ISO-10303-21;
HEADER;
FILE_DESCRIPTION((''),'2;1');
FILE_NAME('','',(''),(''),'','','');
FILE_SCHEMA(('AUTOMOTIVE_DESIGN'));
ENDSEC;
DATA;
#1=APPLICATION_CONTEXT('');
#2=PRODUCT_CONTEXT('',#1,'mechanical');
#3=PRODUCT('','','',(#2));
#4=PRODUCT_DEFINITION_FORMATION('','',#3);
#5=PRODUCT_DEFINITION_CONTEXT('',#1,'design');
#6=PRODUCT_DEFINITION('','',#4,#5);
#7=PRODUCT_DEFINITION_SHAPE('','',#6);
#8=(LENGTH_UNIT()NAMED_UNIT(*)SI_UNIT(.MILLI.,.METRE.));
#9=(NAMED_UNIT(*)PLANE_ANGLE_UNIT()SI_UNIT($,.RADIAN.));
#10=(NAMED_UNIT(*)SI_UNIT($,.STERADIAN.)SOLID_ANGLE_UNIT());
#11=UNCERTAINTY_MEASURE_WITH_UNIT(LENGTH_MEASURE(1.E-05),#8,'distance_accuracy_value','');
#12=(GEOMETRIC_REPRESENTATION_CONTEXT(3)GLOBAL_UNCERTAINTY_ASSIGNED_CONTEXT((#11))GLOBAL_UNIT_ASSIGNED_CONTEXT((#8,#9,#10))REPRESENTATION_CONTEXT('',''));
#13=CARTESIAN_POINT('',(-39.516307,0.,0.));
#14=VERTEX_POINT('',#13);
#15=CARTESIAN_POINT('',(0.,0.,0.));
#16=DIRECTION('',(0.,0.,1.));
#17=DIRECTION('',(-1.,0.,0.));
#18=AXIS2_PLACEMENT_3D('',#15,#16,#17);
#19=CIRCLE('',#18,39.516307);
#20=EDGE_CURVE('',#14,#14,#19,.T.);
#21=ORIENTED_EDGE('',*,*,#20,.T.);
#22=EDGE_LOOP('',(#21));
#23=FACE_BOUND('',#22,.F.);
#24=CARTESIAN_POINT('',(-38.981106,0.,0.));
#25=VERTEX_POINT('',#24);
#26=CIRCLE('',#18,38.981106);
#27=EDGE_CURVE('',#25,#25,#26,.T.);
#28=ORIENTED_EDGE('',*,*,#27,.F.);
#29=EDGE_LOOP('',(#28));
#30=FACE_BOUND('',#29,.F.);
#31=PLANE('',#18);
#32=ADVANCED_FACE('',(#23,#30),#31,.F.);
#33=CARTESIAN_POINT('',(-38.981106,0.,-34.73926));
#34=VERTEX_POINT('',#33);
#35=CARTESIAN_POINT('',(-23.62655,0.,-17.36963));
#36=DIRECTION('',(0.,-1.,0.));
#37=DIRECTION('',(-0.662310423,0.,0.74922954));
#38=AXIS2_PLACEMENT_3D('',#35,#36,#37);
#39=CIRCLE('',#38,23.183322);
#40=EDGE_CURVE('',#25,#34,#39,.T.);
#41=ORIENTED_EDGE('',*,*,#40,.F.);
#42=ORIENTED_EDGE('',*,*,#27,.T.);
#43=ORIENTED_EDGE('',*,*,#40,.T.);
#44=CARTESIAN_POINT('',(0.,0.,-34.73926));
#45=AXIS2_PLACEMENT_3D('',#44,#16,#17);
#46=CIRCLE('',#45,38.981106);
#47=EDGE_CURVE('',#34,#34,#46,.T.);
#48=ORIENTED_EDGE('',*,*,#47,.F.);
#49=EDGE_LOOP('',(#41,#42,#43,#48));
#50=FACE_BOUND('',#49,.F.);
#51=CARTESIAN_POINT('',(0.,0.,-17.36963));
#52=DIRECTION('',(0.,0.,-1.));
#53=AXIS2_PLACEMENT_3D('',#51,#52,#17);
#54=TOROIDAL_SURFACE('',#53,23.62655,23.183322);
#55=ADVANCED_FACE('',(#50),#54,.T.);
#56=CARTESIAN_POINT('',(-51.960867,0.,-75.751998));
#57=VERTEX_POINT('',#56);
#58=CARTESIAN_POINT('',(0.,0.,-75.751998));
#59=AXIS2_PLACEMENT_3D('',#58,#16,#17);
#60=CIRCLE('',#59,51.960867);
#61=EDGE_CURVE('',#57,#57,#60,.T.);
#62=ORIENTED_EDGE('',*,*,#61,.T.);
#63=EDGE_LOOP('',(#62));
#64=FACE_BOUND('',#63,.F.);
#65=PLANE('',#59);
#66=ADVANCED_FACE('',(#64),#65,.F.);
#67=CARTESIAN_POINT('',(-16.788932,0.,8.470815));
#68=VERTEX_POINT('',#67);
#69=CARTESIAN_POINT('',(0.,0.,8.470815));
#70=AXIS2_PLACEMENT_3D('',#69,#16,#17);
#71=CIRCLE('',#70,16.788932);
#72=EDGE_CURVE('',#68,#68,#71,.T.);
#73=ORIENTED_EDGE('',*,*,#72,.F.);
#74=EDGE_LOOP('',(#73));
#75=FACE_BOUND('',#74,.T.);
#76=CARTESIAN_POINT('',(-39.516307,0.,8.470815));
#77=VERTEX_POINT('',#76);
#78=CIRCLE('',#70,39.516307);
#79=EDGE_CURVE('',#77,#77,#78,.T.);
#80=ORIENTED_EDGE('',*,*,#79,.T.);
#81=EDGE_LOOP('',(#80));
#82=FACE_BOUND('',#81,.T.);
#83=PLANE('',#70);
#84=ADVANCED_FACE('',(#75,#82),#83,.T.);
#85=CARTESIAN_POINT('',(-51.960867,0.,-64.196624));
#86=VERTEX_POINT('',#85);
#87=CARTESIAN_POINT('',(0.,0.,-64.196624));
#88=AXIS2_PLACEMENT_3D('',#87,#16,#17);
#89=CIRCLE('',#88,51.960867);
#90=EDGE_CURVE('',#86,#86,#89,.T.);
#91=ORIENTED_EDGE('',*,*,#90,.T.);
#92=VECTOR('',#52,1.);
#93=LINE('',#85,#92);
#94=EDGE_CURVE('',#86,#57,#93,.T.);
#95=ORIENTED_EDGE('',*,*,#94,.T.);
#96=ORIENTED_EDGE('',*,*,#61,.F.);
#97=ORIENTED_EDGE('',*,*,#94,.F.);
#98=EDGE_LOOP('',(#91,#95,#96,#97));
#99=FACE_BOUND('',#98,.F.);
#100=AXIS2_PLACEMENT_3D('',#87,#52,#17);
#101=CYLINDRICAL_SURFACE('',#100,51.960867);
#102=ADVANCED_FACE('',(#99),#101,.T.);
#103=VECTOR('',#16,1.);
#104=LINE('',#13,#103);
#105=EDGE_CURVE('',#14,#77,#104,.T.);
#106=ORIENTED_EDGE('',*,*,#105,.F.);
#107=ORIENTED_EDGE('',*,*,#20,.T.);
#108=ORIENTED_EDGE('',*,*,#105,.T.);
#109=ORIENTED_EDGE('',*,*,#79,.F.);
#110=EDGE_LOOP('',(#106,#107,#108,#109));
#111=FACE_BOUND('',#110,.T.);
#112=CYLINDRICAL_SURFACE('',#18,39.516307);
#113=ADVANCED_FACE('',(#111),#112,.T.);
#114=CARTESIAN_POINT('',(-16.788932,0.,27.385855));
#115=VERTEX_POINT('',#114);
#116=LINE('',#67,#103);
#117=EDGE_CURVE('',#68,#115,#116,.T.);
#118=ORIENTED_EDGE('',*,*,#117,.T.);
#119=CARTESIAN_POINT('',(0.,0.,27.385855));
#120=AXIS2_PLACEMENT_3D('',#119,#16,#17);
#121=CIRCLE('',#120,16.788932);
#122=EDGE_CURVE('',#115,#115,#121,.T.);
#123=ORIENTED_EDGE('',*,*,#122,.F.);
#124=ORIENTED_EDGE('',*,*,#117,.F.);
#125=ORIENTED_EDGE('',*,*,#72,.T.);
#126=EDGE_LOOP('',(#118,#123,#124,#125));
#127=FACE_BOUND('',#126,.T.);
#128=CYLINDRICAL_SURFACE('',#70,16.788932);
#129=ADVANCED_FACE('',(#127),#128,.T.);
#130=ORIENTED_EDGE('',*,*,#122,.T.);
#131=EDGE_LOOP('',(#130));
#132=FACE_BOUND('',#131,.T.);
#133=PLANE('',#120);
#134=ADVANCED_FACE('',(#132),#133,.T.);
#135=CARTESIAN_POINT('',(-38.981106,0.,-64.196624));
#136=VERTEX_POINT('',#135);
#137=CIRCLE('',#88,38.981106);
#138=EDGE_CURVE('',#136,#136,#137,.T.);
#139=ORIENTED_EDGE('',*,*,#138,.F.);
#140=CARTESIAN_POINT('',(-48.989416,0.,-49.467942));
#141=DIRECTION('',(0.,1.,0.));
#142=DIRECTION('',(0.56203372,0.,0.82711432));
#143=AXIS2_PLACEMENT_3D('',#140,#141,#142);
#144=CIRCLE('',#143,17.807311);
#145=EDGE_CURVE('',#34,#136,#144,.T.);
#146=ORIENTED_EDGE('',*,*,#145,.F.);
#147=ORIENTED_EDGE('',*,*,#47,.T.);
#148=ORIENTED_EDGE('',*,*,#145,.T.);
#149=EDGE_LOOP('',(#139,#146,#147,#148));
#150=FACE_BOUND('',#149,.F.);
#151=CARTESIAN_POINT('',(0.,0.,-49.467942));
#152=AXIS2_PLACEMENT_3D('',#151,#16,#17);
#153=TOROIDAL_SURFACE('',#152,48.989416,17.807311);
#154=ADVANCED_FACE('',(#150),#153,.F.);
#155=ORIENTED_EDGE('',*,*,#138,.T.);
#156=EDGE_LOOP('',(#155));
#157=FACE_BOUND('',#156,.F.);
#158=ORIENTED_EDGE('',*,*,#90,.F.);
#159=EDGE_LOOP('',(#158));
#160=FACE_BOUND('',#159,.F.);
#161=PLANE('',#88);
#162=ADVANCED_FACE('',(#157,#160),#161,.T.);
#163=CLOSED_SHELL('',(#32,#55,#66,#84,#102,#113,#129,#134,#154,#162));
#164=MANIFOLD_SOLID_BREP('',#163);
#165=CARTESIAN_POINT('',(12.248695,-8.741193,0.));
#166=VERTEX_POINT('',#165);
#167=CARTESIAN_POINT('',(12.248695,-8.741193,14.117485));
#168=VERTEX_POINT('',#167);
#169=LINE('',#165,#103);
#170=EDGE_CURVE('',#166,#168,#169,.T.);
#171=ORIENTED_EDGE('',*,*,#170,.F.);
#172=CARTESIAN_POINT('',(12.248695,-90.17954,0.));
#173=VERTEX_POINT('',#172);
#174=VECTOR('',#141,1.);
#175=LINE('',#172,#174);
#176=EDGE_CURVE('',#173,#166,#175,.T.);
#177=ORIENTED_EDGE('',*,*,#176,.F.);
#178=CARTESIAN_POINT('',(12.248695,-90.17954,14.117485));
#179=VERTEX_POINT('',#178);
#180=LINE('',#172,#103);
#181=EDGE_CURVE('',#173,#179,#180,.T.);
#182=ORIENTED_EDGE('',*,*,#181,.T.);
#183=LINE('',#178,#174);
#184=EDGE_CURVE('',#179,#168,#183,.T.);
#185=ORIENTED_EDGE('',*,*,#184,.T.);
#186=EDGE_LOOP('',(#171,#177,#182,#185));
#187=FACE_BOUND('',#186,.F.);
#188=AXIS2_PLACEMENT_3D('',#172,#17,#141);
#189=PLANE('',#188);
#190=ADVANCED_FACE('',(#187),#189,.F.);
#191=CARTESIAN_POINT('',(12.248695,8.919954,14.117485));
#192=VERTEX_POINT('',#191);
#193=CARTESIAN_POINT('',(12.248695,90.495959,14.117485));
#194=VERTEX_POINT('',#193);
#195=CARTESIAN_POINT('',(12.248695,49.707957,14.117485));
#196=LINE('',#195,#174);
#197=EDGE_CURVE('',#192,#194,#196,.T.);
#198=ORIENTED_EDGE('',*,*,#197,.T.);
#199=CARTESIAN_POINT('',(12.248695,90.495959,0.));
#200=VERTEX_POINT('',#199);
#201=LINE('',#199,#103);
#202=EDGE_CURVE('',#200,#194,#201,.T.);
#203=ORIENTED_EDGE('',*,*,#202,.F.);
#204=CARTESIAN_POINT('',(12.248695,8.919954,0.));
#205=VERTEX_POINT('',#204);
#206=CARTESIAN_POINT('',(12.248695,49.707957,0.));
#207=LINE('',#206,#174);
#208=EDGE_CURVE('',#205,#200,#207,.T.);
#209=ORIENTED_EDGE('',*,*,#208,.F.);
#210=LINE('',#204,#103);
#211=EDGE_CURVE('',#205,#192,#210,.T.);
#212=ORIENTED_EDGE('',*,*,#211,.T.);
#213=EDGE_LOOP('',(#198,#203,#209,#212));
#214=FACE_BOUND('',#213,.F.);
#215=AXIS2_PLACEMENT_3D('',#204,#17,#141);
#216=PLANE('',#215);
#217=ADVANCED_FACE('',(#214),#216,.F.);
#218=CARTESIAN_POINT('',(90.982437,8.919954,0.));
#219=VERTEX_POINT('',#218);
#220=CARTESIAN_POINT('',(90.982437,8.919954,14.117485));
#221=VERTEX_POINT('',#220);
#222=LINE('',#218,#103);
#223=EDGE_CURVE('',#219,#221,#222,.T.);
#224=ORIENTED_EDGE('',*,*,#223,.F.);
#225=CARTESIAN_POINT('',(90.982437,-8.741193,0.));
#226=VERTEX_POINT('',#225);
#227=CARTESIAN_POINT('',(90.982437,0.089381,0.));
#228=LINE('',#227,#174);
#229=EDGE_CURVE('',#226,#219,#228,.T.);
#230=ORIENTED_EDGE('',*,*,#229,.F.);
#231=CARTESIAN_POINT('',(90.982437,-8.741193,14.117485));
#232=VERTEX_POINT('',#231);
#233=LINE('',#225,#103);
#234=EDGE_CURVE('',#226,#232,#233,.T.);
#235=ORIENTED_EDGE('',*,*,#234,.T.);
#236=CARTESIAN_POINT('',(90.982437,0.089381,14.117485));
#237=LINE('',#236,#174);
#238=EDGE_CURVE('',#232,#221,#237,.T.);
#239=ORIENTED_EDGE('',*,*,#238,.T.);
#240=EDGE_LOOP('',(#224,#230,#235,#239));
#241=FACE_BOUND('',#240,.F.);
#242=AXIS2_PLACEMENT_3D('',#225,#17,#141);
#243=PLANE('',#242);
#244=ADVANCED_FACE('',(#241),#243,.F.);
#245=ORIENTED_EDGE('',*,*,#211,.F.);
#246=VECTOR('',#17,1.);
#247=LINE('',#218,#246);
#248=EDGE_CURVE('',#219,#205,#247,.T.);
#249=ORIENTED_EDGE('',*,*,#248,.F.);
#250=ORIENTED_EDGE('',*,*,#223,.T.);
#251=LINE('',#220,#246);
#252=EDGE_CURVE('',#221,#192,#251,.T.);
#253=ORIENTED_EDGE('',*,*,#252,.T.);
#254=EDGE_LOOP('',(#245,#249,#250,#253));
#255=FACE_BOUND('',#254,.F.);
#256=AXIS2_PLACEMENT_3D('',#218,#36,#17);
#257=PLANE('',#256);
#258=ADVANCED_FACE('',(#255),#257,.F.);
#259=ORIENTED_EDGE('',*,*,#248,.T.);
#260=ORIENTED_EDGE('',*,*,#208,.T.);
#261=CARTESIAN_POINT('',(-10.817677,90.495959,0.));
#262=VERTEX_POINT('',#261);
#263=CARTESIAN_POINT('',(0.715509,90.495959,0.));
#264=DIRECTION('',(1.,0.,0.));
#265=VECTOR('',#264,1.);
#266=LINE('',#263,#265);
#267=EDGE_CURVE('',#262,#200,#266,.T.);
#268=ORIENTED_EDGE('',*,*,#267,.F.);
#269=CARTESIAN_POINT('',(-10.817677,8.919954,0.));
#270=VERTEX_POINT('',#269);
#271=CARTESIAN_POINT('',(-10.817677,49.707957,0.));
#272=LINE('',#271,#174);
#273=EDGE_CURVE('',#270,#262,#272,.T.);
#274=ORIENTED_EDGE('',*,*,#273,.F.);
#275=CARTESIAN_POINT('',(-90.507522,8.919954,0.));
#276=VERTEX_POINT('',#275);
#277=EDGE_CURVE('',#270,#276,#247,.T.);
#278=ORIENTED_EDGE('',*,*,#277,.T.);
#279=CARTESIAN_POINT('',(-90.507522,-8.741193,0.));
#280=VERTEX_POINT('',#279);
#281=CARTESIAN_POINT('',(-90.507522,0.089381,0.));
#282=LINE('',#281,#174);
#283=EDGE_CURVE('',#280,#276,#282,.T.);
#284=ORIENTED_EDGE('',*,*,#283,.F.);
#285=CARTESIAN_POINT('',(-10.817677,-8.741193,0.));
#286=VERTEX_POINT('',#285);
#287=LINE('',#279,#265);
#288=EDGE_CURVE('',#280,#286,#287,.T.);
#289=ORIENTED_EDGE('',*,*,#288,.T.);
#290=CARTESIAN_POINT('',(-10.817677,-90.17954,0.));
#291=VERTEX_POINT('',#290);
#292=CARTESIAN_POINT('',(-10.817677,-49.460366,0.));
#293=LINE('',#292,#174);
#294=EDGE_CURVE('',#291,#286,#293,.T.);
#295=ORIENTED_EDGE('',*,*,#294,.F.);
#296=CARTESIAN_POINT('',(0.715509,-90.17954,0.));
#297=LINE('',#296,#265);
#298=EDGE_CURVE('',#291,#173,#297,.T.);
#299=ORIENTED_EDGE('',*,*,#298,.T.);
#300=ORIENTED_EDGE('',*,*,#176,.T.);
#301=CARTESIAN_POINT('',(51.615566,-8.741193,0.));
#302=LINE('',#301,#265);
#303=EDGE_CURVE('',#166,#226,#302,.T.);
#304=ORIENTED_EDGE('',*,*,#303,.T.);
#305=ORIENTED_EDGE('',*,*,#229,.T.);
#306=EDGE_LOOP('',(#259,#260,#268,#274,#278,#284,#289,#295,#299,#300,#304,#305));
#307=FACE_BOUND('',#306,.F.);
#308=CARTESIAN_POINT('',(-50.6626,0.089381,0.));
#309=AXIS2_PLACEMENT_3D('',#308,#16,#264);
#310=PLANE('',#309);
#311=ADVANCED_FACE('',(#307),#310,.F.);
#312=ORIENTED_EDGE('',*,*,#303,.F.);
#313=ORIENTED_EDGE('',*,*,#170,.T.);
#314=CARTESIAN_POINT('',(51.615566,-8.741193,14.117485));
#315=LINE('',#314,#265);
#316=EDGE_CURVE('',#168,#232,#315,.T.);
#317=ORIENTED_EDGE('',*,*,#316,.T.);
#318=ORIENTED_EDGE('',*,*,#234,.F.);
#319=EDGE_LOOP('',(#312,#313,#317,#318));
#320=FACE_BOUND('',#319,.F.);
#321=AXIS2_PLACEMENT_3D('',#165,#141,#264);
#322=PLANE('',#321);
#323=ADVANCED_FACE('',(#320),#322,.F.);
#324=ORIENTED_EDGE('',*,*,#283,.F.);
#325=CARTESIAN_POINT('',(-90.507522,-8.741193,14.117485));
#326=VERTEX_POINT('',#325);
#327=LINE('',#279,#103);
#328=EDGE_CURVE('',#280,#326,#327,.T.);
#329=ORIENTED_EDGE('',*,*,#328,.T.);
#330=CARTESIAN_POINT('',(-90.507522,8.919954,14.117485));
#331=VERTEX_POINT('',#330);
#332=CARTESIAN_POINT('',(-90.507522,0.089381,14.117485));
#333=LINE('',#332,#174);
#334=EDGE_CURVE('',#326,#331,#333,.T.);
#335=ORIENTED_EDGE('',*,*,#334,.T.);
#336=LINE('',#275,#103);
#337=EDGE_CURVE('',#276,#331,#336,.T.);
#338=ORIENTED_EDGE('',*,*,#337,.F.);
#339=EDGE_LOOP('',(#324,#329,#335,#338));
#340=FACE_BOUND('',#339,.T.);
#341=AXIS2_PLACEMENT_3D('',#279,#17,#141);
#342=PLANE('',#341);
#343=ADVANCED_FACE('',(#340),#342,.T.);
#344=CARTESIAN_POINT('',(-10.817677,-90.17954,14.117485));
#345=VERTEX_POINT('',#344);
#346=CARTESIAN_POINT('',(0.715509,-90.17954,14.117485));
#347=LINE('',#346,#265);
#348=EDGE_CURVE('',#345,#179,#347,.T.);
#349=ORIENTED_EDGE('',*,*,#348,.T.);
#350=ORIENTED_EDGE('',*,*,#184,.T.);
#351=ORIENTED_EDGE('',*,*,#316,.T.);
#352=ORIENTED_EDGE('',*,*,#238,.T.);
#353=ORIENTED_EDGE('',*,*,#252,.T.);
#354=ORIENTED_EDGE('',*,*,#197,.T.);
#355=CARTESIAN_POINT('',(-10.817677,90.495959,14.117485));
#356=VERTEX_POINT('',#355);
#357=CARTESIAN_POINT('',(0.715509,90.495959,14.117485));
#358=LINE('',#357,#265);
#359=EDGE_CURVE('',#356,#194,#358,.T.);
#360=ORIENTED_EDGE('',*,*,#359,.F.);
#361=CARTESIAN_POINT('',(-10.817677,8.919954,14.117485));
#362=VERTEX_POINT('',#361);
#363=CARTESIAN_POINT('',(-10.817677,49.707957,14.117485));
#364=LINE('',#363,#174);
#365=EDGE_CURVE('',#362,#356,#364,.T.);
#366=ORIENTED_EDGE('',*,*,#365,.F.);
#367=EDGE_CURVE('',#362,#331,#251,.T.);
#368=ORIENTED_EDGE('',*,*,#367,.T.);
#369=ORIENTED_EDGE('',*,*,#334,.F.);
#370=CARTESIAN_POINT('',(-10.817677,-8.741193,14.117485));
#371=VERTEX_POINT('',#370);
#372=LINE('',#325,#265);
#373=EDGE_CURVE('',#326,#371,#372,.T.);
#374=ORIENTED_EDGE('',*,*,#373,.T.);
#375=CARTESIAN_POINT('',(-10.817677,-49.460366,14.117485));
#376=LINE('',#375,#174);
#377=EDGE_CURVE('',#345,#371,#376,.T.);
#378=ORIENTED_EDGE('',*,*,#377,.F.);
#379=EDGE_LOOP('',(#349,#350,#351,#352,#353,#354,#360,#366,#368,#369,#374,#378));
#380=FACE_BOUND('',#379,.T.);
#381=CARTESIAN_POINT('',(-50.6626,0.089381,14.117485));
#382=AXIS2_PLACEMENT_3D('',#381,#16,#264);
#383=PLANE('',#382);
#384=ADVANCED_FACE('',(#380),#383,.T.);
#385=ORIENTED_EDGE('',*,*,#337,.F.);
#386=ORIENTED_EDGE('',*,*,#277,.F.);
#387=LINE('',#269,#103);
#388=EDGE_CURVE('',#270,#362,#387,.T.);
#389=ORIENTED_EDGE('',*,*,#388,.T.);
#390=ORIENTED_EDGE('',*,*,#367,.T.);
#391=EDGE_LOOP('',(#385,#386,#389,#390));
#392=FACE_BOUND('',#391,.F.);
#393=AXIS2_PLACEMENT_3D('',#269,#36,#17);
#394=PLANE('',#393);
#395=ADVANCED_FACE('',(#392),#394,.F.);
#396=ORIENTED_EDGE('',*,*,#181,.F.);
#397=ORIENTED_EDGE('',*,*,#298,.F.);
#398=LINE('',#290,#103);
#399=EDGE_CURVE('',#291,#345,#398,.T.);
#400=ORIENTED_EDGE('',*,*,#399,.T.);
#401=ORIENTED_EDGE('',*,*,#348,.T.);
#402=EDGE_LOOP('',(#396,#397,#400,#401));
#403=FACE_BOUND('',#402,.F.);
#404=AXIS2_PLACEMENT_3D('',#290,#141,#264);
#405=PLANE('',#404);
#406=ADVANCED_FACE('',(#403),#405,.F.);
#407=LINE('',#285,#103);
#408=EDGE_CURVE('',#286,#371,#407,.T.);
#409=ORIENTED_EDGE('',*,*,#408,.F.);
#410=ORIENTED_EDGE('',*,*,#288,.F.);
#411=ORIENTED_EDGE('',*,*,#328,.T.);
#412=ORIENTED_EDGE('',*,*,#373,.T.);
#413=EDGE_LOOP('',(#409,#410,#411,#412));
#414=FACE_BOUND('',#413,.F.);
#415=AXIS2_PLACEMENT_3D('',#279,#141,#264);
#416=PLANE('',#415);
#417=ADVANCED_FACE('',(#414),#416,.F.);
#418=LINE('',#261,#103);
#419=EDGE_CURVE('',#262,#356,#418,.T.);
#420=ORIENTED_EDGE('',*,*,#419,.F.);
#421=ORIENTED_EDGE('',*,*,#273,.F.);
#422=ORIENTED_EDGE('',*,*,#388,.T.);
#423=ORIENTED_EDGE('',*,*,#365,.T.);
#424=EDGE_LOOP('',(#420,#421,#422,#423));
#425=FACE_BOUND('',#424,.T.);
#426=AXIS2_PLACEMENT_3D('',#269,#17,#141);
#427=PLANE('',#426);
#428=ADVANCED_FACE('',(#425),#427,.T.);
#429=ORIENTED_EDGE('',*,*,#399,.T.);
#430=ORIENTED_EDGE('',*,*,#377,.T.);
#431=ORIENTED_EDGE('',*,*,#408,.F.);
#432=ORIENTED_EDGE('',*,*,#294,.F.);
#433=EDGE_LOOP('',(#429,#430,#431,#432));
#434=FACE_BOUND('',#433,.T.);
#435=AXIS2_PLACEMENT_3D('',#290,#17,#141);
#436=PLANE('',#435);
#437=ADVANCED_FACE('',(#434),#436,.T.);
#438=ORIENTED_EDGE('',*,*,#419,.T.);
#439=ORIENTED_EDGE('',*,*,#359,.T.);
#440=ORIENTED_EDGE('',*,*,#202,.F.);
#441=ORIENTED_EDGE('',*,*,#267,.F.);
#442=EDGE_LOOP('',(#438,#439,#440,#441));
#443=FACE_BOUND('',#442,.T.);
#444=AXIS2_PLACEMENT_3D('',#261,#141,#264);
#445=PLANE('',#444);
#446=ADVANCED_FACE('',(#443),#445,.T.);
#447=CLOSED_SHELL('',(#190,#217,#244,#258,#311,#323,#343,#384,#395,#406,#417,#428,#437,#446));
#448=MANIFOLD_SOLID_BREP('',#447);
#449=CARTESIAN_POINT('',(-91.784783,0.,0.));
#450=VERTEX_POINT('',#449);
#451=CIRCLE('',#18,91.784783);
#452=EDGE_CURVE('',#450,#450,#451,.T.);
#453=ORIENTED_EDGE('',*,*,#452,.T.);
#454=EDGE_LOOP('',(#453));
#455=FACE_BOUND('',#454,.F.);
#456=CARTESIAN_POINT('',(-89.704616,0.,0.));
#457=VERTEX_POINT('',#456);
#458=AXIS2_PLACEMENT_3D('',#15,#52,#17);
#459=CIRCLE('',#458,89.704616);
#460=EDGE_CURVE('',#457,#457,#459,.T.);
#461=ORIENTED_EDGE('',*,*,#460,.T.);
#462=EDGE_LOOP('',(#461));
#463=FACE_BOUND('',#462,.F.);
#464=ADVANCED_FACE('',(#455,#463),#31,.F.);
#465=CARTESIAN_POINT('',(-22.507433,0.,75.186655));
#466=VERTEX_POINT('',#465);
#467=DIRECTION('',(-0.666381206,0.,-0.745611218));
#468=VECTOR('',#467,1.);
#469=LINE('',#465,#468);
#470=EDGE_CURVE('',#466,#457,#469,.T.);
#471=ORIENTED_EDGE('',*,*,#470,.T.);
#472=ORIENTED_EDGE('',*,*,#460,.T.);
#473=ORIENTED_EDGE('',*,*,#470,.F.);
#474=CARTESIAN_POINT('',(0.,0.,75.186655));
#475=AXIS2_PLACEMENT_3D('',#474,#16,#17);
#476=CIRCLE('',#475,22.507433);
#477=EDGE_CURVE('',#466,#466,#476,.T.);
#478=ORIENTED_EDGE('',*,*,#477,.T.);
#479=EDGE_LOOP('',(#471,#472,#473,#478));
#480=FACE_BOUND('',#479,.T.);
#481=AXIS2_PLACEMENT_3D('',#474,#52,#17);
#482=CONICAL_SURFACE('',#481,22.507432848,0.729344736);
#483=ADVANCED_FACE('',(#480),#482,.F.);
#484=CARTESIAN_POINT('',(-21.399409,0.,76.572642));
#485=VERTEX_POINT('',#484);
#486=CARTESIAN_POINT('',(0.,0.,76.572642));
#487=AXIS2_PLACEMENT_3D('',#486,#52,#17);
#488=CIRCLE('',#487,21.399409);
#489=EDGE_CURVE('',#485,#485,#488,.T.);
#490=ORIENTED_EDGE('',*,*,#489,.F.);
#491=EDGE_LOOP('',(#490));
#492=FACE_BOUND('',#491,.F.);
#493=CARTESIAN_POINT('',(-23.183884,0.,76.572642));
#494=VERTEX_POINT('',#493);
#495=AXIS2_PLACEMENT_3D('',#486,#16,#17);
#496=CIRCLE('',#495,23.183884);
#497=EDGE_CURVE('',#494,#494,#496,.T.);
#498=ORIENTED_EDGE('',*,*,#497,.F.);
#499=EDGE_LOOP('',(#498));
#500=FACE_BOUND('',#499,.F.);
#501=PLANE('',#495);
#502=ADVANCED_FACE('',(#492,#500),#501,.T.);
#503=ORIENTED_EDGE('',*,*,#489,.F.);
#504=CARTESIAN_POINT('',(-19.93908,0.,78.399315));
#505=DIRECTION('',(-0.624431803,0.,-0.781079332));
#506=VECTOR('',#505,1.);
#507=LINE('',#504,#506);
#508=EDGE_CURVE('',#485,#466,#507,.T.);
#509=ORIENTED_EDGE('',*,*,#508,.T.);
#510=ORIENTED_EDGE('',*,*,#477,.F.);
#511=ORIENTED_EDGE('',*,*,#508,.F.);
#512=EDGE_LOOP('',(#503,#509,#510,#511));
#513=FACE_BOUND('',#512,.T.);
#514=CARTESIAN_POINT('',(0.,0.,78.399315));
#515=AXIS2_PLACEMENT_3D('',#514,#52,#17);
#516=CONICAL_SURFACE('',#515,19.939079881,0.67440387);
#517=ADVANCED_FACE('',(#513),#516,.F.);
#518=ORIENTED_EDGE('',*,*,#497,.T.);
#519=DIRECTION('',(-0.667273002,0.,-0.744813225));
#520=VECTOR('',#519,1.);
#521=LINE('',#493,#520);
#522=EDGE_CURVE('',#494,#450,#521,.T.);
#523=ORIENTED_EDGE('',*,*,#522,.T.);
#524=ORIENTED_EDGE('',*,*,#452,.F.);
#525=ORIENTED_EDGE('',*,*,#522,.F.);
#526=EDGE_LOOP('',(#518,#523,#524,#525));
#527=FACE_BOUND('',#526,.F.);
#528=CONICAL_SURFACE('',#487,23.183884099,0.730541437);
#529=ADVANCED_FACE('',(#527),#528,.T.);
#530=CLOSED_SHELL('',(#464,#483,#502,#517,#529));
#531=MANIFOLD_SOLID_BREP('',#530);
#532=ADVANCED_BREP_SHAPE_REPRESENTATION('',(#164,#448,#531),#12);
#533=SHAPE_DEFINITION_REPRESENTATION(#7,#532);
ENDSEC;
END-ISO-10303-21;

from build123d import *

# Parameters (mm, degrees)
F4_W     = 79.6898454428
F4_H     = 17.6611468196
F4_W_2   = 23.0663716793
F4_H_2   = 81.4383476973
F4_W_3   = 78.7337422371
F4_H_3   = 81.5760046244
F5_DEPTH = 14.1174849123


with BuildPart() as f1:
    # F0 (on Front) → F1 (revolve)
    with BuildSketch(Plane.XZ):
        with BuildLine():
            Line((0, 76.5726417303), (-23.1838840991, 76.5726417303))
            Line((-23.1838840991, 76.5726417303), (-91.7847827077, 0))
            Line((-91.7847827077, 0), (-38.9811061323, 0))
            ThreePointArc((-38.9811061323, 0), (-46.8098723998, -17.3696298152), (-38.9811061323, -34.7392596304))
            ThreePointArc((-38.9811061323, -34.7392596304), (-31.1821042714, -49.4679417461), (-38.9811061323, -64.1966238618))
            Line((-38.9811061323, -64.1966238618), (0, -64.1966238618))
            Line((0, -64.1966238618), (0, 76.5726417303))
        make_face()
        Polygon((0, -75.7519975305), (0, -64.1966238618), (-38.9811061323, -64.1966238618), (-51.9608668983, -64.1966238618), (-51.9608668983, -75.7519975305), align=None)
    revolve(axis=Axis((0, 0, 6.1880089343), (0, 0, 1)))

    # F2 (on Front) → F3 (revolve, cut)
    with BuildSketch(Plane.XZ):
        Polygon((-19.9390798807, 78.3993154764), (-22.5074328482, 75.1866549253), (-91.569326818, -2.086417051), (-43.4752702713, -2.086417051), (-39.5163074136, 0), (-39.5163074136, 8.4708146751), (-16.7889315635, 8.4708146751), (-16.7889315635, 27.3858550936), (0, 27.3858550936), (0, 79.4388726354), align=None)
    revolve(axis=Axis((0, 0, 53.4123638645), (0, 0, 1)), mode=Mode.SUBTRACT)


with BuildPart() as f5:
    # F4 (on Top) → F5 (new body)
    with BuildSketch(Plane.XY):
        with Locations((-50.662599504, 0.0893808901)):
            Rectangle(F4_W, F4_H)
        with Locations((0.715509057, 0.0893808901)):
            Rectangle(F4_W_2, F4_H)
        with Locations((0.715509057, -49.4603663683)):
            Rectangle(F4_W_2, F4_H_2)
        with Locations((51.6155660152, 0.0893808901)):
            Rectangle(F4_W_3, F4_H)
        with Locations((0.715509057, 49.7079566121)):
            Rectangle(F4_W_2, F4_H_3)
    extrude(amount=F5_DEPTH)


solid = Compound([f1.part, f5.part])
